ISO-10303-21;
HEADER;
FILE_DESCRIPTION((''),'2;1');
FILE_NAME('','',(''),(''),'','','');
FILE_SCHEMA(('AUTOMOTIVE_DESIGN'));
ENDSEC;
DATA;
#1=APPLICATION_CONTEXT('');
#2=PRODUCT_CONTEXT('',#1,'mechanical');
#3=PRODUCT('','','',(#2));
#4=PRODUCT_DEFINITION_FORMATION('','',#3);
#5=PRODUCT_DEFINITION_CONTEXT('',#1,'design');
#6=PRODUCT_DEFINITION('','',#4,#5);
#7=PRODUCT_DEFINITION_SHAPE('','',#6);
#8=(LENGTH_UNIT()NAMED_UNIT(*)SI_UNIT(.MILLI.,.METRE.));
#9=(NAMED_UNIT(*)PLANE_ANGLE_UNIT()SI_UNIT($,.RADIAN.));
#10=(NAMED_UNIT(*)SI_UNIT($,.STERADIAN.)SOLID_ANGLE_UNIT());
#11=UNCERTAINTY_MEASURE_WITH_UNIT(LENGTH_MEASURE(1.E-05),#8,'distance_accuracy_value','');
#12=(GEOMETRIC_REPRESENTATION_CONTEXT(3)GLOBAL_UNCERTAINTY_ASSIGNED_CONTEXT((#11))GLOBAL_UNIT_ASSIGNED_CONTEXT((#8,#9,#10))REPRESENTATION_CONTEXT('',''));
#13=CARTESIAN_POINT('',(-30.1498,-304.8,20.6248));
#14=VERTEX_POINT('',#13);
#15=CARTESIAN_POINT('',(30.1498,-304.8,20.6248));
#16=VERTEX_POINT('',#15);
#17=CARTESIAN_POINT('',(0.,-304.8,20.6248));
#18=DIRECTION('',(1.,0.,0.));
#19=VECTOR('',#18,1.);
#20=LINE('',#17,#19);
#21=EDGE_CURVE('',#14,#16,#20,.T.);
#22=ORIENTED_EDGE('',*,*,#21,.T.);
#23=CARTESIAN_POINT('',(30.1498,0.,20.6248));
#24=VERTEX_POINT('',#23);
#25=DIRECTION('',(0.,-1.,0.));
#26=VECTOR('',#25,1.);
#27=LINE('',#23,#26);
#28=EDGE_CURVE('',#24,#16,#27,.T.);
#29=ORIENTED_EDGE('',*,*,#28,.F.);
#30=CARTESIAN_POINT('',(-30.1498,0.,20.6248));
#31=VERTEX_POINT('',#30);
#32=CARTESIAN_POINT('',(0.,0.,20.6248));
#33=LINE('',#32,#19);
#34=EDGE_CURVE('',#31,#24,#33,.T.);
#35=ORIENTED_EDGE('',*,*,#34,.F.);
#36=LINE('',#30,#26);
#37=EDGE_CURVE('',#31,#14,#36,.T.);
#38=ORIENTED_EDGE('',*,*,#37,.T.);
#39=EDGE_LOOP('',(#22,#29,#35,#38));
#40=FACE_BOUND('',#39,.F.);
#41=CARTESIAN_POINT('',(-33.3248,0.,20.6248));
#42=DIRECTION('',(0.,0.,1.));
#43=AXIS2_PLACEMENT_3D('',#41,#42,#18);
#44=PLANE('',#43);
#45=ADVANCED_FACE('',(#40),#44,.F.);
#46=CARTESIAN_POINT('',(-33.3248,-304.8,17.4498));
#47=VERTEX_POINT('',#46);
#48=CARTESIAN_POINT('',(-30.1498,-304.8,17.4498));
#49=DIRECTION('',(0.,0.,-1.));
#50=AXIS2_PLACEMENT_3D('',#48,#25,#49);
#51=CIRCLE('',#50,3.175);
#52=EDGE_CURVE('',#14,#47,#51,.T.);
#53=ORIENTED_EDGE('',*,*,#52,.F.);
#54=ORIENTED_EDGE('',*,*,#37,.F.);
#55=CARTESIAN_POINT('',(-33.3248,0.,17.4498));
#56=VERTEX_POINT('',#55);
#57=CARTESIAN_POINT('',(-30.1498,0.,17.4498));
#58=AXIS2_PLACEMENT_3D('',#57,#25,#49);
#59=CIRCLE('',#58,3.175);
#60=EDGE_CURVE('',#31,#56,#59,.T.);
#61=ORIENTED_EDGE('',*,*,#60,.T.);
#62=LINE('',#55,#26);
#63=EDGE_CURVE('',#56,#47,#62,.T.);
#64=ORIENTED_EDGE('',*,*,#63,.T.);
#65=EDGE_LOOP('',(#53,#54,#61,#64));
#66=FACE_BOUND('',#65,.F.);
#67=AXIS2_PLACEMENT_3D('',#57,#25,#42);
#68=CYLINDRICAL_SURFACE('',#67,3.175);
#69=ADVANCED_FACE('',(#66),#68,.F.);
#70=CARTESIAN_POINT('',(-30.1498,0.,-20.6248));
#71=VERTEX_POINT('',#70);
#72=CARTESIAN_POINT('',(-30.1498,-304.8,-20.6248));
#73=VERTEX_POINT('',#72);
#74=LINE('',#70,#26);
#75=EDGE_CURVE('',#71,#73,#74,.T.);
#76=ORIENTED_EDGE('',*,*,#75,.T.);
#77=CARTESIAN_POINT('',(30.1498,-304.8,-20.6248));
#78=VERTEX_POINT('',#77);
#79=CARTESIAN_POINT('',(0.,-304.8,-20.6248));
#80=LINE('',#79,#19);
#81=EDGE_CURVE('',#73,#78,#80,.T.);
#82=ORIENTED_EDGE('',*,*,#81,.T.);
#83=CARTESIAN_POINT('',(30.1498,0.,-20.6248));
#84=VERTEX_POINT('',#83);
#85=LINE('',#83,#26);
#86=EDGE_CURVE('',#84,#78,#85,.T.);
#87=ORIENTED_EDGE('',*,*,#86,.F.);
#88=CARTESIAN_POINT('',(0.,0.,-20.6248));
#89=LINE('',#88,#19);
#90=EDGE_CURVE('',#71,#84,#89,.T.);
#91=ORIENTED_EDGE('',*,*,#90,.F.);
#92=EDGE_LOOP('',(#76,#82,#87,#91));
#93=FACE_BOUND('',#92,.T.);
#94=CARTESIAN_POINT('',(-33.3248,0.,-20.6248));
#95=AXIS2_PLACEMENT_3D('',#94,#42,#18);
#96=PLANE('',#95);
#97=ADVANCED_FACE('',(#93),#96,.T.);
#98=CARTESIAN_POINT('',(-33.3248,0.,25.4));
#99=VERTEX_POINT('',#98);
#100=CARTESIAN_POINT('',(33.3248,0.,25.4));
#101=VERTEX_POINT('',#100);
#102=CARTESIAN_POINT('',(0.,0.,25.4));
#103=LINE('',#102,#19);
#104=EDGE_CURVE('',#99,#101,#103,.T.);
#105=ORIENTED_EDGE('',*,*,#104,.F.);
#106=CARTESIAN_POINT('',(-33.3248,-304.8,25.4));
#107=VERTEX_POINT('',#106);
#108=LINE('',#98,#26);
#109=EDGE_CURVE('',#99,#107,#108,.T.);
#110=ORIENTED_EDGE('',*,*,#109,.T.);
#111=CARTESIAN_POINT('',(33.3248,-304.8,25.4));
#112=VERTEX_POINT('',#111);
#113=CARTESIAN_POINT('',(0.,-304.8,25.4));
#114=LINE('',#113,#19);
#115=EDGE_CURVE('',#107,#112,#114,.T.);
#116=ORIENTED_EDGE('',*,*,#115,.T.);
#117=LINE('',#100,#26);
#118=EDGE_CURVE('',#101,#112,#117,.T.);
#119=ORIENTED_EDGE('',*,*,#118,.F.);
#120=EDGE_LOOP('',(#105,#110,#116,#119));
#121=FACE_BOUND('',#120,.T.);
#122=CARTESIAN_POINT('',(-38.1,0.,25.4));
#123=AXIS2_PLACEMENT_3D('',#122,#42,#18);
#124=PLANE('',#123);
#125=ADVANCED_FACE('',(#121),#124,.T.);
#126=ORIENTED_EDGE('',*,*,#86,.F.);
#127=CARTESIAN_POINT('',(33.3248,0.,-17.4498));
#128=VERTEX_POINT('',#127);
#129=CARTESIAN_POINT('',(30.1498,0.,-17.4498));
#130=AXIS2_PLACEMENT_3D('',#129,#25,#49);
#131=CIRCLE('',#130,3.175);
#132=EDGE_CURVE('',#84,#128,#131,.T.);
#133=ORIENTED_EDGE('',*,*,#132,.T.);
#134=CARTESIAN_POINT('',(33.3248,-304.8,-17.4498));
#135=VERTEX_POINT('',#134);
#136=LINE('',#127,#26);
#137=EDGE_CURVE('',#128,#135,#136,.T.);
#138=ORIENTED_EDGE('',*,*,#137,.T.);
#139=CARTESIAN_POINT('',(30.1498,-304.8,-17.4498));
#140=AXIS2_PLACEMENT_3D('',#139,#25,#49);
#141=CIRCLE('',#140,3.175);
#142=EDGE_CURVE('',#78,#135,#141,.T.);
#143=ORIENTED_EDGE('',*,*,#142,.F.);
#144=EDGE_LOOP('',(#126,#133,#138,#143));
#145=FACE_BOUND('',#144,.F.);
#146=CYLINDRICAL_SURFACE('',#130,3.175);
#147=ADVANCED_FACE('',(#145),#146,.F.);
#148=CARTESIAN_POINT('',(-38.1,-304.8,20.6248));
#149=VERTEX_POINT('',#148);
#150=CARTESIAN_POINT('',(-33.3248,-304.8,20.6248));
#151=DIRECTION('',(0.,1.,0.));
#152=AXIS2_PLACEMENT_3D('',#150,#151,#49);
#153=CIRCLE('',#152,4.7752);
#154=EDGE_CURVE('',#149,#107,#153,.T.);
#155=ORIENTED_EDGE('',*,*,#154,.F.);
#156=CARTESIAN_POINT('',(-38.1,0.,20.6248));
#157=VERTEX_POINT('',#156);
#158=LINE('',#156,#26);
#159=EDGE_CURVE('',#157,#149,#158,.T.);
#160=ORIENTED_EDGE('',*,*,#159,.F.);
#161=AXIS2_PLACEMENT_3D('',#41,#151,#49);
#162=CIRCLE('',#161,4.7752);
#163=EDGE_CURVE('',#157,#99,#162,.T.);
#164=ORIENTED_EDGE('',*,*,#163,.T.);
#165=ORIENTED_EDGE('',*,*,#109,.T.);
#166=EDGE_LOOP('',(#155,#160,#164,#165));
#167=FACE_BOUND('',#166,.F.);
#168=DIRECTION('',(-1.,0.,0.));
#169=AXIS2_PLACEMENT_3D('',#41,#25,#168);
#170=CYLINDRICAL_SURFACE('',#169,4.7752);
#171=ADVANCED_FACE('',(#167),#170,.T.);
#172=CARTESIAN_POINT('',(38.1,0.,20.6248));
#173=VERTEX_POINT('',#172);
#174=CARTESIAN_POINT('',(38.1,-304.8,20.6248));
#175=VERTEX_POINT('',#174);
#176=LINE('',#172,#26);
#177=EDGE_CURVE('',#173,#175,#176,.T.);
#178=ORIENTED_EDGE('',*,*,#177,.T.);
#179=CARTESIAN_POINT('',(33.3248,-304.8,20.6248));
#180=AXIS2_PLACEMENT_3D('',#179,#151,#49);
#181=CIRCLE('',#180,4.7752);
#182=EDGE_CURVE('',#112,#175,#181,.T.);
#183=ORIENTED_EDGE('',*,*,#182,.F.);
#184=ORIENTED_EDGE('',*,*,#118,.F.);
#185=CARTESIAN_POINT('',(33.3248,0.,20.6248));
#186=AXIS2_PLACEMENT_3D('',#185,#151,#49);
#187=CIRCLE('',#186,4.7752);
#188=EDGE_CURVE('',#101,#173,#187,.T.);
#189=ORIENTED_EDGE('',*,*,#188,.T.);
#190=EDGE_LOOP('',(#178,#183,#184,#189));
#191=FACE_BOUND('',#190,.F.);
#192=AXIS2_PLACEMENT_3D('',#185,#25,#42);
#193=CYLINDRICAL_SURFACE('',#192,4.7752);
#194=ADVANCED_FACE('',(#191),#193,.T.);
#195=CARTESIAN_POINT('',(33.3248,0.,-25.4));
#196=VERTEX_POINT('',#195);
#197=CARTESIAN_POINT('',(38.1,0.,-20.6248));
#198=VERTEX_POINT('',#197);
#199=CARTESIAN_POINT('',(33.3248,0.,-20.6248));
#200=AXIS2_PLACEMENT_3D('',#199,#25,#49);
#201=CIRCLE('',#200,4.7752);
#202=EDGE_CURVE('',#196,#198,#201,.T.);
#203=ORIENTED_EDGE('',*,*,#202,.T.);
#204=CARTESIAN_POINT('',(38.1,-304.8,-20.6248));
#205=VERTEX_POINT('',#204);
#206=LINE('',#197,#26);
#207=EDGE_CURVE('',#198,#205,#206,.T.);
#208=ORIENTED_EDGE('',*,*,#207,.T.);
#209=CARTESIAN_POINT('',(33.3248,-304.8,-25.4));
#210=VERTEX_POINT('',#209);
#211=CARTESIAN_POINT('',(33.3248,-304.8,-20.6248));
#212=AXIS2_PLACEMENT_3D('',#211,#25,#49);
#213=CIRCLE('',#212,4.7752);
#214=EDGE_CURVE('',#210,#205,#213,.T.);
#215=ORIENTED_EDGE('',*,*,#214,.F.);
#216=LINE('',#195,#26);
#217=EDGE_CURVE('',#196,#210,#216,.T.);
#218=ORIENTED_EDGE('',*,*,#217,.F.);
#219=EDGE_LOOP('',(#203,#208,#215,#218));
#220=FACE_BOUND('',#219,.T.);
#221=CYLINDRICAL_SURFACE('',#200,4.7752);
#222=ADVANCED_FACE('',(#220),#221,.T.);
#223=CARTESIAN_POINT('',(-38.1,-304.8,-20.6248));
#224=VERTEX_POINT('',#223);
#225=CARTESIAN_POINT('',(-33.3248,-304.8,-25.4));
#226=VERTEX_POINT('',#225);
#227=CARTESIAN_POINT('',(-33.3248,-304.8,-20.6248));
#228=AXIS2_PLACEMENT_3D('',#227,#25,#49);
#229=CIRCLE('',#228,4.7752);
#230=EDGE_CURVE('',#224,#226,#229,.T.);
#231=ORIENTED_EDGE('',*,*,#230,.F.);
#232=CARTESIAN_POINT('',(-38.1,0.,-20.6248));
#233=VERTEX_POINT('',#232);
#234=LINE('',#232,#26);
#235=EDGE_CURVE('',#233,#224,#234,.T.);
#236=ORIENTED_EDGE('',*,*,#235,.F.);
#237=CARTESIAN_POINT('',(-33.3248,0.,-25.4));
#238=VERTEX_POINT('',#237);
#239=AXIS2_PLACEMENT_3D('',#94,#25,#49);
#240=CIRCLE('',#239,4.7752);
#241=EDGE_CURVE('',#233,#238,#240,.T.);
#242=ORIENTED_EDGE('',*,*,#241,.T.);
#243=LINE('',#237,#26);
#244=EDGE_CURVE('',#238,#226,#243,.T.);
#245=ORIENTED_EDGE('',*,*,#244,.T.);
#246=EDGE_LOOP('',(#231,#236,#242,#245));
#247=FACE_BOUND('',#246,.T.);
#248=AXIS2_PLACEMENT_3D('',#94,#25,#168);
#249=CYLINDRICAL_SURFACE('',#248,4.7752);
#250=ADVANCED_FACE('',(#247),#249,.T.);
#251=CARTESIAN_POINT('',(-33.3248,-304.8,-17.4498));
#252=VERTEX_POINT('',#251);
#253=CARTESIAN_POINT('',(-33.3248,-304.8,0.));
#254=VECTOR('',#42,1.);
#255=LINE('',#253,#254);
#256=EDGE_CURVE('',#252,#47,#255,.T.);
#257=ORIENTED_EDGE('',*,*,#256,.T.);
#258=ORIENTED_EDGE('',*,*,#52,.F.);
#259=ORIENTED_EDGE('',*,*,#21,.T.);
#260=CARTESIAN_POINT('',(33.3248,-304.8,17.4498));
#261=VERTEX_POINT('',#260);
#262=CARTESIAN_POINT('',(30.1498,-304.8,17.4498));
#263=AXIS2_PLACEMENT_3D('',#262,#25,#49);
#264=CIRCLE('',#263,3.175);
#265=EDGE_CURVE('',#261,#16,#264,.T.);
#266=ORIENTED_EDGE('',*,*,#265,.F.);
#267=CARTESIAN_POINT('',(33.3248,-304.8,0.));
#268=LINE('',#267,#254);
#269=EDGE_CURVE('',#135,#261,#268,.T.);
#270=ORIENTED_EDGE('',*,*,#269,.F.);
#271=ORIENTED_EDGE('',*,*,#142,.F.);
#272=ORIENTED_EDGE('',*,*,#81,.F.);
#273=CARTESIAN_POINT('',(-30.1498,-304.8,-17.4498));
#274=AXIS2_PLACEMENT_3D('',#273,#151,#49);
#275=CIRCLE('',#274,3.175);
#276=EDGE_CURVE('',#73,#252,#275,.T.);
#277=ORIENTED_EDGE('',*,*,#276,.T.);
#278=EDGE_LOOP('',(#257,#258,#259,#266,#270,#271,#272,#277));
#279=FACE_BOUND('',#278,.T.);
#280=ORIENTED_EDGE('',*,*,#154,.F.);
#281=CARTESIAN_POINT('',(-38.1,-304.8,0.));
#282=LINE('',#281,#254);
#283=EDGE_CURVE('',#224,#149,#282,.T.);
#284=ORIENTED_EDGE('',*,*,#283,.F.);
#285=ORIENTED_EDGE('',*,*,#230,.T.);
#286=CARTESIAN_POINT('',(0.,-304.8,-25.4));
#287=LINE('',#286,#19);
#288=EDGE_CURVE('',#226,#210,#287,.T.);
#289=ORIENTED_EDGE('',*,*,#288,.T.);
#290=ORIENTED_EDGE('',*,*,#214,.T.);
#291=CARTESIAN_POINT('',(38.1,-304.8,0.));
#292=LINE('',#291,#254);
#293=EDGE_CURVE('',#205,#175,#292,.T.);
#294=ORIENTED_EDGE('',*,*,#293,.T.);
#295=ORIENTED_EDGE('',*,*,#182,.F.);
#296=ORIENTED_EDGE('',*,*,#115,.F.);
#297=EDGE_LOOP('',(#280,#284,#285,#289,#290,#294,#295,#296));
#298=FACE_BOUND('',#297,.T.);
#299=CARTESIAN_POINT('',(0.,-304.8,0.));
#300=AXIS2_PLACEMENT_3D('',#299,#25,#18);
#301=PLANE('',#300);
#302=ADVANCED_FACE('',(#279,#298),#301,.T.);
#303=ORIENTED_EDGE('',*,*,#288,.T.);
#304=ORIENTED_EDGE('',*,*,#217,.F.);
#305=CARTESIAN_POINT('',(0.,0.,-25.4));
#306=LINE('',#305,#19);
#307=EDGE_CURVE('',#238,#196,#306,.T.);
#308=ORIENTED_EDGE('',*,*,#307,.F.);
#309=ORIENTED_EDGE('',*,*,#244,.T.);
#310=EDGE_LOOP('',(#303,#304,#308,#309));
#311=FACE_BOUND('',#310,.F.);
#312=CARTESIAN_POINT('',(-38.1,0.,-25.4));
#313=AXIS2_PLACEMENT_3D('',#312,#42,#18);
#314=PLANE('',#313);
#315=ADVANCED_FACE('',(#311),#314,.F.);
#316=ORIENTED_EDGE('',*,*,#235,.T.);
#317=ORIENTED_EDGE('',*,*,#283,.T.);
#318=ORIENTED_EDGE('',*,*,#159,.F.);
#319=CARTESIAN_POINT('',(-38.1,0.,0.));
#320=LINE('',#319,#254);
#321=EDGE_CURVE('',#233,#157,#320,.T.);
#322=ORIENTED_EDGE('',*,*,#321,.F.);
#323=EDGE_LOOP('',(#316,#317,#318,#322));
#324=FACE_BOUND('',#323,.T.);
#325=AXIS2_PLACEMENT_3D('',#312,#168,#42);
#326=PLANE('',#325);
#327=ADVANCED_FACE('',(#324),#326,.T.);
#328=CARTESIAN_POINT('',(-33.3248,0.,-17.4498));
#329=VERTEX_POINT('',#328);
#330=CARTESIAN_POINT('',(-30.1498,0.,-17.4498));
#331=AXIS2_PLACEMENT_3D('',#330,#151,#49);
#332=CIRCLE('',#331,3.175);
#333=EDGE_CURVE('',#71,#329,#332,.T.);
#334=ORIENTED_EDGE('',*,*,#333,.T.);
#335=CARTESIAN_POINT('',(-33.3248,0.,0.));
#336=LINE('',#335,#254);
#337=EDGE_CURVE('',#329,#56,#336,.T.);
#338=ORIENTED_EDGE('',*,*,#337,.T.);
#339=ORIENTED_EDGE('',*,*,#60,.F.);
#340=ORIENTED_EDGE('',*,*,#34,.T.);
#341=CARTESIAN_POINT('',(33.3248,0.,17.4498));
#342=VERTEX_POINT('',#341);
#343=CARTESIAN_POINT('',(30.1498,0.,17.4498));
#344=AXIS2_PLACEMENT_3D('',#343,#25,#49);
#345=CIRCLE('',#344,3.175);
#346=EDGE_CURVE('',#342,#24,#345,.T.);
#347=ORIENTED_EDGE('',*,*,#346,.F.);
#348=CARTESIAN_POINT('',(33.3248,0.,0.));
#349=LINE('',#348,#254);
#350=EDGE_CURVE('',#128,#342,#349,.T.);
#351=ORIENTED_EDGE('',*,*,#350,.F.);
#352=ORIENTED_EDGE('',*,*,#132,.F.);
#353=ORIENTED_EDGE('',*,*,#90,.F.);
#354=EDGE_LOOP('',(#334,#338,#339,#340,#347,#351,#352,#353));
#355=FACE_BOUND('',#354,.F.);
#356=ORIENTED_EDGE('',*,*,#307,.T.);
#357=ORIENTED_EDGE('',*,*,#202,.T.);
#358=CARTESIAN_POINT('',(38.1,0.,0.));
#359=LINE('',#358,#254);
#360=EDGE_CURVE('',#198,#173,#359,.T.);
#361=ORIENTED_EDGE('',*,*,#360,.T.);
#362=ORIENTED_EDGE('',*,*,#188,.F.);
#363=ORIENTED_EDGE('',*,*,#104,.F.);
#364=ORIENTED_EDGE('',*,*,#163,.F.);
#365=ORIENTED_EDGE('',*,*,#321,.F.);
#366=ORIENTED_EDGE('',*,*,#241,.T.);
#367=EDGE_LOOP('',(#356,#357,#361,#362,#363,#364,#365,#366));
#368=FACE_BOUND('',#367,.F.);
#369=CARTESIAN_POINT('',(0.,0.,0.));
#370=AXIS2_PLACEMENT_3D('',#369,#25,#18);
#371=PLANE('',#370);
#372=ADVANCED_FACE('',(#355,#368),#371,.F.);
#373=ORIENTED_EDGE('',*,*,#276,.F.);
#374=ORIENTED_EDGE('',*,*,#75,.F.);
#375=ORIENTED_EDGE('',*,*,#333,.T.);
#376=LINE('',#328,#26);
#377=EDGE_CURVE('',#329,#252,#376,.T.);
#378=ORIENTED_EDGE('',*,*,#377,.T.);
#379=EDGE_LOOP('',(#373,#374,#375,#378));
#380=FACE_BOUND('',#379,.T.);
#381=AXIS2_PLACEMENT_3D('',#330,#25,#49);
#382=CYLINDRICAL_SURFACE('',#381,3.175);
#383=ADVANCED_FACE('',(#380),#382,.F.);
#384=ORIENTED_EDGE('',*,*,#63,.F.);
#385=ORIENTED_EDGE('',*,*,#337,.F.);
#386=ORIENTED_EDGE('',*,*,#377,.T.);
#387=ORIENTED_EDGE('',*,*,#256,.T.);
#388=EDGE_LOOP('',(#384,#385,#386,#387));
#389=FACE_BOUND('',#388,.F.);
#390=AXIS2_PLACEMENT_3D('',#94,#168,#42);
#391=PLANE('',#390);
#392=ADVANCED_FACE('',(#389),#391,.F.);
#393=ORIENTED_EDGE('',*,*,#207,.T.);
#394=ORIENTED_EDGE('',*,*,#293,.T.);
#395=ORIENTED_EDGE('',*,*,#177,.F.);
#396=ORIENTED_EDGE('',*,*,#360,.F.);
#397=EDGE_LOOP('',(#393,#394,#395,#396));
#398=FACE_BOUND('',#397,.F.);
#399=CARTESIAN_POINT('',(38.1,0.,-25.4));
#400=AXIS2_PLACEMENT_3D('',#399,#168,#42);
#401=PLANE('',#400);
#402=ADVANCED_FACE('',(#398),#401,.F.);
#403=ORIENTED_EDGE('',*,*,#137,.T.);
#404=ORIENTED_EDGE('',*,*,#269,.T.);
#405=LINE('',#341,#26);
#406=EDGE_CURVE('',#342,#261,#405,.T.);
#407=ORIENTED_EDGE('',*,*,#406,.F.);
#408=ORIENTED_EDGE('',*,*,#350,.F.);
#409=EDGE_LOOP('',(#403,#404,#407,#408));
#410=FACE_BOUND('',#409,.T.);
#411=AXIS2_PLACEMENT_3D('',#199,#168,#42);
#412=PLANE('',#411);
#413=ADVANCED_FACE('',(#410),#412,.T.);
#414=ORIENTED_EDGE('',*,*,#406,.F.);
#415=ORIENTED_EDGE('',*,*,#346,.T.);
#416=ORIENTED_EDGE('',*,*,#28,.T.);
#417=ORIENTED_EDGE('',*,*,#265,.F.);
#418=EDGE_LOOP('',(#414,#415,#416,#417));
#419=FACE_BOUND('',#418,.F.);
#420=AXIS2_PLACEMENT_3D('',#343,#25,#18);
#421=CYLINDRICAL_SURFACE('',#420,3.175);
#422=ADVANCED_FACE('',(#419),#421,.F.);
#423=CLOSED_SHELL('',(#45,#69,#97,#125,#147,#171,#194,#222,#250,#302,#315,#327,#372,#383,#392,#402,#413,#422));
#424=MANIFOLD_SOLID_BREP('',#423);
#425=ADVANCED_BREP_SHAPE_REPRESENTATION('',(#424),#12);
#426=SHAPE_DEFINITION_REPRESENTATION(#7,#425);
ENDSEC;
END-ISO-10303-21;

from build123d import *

# Parameters (mm, degrees)
F0_W     = 76.2
F0_H     = 50.8
F0_W_2   = 66.6496
F0_H_2   = 41.2496
F1_DEPTH = 304.8
F2_R     = 4.7752
F3_R     = 3.175


with BuildPart() as f1:
    # F0 (on Front) → F1 (new body)
    with BuildSketch(Plane.XZ):
        Rectangle(F0_W, F0_H)
        Rectangle(F0_W_2, F0_H_2, mode=Mode.SUBTRACT)
    extrude(amount=F1_DEPTH)

    # F2
    f2_edges = [f1.edges().sort_by_distance(p)[0] for p in [
        (38.1, -152.4, -25.4),
        (-38.1, -152.4, -25.4),
        (-38.1, -152.4, 25.4),
        (38.1, -152.4, 25.4),
    ]]
    fillet(f2_edges, radius=F2_R)

    # F3
    f3_edges = [f1.edges().sort_by_distance(p)[0] for p in [
        (-33.3248, -152.4, 20.6248),
        (33.3248, -152.4, 20.6248),
        (-33.3248, -152.4, -20.6248),
        (33.3248, -152.4, -20.6248),
    ]]
    fillet(f3_edges, radius=F3_R)


solid = f1.part
